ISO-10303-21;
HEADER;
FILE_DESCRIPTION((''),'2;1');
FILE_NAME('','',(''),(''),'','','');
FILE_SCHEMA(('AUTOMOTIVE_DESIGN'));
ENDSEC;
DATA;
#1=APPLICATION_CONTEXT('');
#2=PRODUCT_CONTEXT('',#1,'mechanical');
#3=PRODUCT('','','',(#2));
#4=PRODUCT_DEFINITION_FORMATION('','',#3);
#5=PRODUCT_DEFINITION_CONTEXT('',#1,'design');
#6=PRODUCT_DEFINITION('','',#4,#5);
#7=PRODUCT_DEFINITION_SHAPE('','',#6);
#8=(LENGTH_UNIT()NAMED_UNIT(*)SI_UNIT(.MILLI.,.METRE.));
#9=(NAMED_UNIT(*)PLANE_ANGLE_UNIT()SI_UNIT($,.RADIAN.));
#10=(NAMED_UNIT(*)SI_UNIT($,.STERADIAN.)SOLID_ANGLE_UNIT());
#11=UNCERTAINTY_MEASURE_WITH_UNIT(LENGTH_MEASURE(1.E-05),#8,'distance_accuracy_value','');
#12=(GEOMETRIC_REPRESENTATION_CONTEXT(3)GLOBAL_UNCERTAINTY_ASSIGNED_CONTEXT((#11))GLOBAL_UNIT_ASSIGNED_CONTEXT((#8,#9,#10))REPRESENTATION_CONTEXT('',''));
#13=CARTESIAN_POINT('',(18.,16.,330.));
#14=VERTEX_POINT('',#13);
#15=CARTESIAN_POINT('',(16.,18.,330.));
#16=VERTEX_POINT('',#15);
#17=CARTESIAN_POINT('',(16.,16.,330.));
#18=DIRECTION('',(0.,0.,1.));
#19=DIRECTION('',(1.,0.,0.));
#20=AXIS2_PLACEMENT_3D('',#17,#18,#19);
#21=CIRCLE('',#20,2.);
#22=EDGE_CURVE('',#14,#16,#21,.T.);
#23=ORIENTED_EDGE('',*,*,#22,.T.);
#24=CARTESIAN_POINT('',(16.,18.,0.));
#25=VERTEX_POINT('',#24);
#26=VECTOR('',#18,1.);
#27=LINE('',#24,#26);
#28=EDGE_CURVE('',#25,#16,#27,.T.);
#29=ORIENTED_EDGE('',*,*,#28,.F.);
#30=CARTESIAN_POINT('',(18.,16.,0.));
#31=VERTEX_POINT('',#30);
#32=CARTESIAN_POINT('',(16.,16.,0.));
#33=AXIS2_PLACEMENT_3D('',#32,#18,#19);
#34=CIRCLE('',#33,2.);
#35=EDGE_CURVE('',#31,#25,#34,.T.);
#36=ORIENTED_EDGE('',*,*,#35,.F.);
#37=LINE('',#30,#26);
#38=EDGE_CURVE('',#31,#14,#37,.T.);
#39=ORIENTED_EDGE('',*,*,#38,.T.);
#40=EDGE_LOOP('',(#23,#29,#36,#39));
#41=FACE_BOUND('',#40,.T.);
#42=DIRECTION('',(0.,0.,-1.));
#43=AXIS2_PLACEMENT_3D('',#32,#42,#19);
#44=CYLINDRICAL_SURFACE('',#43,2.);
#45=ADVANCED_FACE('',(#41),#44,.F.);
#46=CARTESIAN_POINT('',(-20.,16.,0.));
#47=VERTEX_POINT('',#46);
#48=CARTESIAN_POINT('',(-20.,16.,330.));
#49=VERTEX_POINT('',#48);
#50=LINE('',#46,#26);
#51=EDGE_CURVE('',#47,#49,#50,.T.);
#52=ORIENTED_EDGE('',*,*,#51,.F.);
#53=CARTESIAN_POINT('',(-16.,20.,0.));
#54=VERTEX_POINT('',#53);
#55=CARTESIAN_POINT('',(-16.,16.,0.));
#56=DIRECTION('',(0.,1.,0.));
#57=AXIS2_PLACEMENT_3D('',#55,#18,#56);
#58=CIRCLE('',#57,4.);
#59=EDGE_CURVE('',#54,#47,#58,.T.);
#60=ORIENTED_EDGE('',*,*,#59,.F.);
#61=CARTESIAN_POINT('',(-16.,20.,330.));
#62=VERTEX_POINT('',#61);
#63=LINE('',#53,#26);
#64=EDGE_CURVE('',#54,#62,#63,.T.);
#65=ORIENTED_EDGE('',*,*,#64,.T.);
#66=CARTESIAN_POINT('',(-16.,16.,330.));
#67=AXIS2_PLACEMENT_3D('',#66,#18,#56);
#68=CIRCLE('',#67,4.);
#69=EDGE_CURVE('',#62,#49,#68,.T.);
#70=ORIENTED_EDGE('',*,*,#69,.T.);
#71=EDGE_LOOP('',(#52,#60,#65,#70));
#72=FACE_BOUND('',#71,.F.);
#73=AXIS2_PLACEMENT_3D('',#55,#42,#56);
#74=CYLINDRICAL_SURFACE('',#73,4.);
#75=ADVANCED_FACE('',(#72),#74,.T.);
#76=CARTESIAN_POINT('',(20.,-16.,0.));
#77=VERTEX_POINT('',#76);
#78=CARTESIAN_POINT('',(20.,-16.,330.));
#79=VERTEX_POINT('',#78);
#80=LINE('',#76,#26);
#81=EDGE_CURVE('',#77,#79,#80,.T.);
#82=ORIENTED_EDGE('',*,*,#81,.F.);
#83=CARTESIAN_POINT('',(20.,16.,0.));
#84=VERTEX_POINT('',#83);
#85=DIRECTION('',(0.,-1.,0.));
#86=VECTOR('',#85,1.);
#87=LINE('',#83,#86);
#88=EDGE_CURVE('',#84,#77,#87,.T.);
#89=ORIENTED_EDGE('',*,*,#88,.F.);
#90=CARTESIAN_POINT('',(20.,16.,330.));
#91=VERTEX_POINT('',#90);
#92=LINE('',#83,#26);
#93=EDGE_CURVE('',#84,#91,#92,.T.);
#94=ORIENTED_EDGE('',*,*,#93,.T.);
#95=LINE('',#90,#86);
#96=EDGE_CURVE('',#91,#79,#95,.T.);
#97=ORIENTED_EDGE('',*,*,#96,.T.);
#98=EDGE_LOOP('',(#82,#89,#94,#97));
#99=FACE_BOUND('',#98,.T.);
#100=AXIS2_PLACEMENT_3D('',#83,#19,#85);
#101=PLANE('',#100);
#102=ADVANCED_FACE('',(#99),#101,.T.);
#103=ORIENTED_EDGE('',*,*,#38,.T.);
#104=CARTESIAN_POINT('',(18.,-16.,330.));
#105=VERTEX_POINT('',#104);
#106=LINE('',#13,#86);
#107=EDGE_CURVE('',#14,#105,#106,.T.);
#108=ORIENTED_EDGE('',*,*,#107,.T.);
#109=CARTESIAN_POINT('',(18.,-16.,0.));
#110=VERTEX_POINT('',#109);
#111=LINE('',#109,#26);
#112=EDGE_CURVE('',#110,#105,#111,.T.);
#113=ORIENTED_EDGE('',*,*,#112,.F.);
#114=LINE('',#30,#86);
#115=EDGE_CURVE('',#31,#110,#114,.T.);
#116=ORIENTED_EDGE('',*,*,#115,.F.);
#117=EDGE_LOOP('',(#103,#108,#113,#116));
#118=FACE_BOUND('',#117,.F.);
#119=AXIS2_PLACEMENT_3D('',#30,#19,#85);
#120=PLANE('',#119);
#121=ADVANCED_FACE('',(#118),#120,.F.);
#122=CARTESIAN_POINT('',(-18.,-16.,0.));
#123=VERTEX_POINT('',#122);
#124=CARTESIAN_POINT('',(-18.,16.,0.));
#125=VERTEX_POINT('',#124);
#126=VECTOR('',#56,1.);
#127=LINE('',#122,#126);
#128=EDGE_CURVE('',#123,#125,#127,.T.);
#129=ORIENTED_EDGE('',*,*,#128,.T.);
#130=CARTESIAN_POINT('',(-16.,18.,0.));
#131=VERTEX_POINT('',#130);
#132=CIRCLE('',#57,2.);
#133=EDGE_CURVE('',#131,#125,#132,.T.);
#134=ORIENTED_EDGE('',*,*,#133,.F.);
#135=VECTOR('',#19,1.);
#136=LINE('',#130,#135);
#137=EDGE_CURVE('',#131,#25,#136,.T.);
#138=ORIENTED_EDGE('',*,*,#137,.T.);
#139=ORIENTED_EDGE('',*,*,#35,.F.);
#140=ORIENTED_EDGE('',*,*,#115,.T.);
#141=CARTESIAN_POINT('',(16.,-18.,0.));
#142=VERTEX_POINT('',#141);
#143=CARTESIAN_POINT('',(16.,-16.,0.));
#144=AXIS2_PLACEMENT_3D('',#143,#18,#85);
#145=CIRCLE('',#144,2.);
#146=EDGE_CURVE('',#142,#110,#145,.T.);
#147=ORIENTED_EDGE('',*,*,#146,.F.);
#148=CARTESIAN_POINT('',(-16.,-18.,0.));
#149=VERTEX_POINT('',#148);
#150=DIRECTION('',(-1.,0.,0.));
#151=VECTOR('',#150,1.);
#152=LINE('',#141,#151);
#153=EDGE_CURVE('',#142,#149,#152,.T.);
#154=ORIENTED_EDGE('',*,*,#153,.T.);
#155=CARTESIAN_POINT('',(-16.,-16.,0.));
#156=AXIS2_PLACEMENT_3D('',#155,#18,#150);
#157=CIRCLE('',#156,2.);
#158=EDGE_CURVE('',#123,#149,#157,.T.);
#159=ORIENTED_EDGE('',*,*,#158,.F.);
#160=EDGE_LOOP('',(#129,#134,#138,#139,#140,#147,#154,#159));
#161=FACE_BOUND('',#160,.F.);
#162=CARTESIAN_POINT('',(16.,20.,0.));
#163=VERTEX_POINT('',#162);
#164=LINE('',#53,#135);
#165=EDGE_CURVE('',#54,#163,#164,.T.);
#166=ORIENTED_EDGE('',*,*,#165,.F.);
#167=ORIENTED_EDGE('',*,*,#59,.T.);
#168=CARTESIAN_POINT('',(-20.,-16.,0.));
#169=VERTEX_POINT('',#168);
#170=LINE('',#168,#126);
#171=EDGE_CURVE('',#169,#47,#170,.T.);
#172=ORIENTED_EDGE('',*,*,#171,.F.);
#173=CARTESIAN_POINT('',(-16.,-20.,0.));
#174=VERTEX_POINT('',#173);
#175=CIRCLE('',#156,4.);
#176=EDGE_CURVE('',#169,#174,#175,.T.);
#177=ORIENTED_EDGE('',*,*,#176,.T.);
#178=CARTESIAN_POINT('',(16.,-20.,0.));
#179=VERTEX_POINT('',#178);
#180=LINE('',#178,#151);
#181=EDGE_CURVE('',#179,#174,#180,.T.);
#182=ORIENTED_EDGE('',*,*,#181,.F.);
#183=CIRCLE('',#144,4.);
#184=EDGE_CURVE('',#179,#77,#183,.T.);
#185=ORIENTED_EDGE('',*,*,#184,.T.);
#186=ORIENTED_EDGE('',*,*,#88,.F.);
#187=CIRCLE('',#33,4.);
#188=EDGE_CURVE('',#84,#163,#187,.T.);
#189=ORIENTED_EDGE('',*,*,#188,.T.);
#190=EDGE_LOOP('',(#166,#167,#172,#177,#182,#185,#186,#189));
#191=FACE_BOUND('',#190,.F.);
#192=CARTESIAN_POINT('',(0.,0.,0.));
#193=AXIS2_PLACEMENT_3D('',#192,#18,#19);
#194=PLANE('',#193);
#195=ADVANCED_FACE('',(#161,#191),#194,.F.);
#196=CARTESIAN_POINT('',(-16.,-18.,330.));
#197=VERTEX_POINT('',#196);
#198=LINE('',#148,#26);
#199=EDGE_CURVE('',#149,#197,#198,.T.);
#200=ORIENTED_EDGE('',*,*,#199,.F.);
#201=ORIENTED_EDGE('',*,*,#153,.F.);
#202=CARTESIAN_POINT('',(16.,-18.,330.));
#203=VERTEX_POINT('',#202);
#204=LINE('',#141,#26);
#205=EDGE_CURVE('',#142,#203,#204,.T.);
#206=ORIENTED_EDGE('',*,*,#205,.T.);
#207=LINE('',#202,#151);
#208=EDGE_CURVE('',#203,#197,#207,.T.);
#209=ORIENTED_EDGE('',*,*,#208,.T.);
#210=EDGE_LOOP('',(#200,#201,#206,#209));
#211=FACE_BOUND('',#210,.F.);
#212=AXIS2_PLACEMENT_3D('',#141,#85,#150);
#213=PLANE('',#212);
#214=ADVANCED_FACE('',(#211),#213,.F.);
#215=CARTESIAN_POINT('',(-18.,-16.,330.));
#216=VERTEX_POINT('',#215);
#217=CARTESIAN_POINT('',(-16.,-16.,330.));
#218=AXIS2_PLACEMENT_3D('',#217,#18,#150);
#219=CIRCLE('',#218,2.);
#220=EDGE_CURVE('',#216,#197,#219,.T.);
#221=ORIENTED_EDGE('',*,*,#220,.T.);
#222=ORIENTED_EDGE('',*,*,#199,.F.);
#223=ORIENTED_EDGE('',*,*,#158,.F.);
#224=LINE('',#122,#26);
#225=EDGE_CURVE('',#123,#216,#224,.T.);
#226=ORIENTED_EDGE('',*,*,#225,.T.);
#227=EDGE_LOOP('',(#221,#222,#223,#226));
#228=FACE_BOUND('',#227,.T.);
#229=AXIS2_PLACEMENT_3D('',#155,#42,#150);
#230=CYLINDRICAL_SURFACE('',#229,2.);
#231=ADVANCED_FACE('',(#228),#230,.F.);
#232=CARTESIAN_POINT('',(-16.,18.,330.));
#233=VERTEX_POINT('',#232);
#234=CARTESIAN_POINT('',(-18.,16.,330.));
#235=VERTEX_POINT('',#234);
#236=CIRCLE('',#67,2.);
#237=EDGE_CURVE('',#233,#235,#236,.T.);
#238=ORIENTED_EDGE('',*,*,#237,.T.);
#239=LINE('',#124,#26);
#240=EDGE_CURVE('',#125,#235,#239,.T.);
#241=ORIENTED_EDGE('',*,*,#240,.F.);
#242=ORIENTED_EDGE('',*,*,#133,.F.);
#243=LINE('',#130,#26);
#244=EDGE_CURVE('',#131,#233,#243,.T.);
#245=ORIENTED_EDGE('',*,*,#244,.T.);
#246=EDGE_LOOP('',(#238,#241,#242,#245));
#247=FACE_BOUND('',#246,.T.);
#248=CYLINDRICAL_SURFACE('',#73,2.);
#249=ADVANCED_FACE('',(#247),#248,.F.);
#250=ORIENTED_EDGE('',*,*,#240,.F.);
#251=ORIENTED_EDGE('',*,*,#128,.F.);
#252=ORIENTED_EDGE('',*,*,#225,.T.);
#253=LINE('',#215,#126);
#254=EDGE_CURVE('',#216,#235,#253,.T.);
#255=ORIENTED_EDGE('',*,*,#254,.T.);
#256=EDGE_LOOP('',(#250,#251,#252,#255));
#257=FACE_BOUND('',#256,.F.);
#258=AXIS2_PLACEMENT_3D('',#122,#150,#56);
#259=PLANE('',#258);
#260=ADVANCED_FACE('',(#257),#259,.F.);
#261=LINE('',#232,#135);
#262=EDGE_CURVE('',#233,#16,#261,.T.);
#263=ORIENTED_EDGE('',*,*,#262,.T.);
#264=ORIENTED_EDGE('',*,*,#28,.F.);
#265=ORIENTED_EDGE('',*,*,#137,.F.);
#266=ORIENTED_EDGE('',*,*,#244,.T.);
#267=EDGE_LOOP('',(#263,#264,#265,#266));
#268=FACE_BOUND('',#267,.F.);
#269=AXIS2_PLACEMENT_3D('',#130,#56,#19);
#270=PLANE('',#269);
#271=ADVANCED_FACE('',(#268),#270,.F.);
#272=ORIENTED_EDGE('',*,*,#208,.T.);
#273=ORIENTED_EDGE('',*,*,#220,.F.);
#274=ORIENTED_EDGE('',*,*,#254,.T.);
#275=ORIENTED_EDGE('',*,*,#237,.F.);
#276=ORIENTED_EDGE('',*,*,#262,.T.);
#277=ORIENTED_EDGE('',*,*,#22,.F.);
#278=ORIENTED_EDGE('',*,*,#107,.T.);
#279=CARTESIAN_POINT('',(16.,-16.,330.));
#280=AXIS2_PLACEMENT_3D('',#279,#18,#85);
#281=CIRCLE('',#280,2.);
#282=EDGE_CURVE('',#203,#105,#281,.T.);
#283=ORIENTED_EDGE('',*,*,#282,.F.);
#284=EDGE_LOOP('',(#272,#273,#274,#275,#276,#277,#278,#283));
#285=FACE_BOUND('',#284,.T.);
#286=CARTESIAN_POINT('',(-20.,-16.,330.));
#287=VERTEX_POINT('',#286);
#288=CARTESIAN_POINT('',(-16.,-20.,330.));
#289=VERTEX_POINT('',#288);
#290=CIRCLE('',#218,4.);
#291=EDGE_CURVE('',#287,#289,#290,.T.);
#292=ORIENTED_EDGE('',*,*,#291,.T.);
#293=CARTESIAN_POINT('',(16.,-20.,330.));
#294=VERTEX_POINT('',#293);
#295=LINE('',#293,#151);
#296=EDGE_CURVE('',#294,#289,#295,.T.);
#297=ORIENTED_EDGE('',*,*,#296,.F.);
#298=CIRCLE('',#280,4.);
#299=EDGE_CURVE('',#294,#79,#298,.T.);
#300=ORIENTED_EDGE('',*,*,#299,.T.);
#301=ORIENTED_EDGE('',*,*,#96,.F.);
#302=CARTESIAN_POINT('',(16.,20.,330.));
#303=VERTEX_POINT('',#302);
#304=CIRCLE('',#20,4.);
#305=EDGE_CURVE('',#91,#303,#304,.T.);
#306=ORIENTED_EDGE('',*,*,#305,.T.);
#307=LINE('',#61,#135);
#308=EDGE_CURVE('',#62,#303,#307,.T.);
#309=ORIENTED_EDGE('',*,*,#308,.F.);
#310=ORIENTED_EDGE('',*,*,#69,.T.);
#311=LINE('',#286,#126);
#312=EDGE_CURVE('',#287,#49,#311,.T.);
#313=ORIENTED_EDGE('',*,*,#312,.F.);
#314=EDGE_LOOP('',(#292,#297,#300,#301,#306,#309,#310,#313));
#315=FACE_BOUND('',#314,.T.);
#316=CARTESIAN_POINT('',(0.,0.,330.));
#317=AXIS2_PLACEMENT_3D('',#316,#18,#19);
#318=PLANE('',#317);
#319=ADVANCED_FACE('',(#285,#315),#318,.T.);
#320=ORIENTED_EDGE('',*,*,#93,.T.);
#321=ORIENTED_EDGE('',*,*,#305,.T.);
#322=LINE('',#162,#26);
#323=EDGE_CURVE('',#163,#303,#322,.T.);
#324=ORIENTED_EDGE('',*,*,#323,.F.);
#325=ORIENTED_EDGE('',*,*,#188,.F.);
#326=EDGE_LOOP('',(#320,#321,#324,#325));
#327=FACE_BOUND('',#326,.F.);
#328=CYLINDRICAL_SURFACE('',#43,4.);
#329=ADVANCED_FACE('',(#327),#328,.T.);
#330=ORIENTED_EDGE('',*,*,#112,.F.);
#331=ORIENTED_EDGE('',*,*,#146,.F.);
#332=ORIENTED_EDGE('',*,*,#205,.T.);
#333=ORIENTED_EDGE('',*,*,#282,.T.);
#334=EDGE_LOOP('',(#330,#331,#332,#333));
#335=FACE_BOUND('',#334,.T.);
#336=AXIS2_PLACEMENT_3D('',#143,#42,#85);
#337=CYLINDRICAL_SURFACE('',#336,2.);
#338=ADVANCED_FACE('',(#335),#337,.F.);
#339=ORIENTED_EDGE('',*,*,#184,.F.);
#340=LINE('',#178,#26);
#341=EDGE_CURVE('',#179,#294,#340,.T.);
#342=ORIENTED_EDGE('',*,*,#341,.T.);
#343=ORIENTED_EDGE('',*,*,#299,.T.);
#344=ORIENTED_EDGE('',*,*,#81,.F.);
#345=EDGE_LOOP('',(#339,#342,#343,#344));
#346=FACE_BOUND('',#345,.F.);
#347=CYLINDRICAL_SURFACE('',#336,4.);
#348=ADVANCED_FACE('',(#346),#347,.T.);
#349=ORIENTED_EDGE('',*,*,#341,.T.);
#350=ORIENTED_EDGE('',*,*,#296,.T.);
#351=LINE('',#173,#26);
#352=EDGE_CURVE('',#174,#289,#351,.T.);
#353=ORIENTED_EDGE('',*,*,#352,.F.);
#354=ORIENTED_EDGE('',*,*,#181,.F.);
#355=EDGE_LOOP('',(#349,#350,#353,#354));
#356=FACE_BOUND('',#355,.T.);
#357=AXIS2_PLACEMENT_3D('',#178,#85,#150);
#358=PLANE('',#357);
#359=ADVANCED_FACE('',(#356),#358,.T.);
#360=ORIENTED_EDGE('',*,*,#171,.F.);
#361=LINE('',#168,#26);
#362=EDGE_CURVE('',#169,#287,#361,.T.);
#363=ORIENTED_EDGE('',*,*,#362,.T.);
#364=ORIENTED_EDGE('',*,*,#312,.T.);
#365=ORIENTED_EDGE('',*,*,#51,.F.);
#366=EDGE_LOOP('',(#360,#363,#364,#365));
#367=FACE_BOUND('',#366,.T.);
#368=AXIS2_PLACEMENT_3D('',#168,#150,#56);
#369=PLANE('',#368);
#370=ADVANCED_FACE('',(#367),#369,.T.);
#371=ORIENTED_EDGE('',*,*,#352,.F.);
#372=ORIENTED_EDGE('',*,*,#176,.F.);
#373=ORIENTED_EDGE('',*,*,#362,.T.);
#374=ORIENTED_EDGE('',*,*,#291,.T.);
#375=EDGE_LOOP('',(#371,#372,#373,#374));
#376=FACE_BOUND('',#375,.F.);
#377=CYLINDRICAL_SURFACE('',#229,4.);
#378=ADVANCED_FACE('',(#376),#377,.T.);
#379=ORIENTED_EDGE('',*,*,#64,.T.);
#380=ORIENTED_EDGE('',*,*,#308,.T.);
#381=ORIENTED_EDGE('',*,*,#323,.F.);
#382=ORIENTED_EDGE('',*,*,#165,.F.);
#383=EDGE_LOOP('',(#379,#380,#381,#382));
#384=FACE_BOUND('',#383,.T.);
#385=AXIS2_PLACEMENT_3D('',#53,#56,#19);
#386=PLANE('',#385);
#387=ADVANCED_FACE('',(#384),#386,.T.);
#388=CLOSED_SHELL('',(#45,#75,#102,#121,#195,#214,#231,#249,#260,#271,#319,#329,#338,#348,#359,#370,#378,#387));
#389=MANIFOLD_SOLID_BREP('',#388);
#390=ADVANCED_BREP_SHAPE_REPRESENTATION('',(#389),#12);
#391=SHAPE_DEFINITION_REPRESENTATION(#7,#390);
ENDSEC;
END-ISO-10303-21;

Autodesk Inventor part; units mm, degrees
ref_plane "YZ Plane" through (0, 0, 0) normal (1, 0, 0) x (0, 1, 0)
ref_plane "Start Plane" through (0, 0, 0) normal (0, 0, 1) x (1, 0, 0)
ref_plane "End Plane" through (0, 0, 330) normal (0, 0, 1) x (1, 0, 0)
sketch "Sketch" plane through (0, 0, 0) normal (0, 0, 1) x (1, 0, 0)
  line L0 (-20, -16) -> (-20, 16)
  line L1 (-16, 20) -> (16, 20)
  line L2 (20, 16) -> (20, -16)
  line L3 (16, -20) -> (-16, -20)
  arc A0 (-20, -16) -> (-16, -20) centre (-16, -16) ccw
  arc A1 (20, 16) -> (16, 20) centre (16, 16) ccw
  arc A2 (-16, 20) -> (-20, 16) centre (-16, 16) ccw
  arc A3 (16, -20) -> (20, -16) centre (16, -16) ccw
  arc A4 (-16, 18) -> (-18, 16) centre (-16, 16) ccw
  line L4 (-16, 18) -> (16, 18)
  arc A5 (18, 16) -> (16, 18) centre (16, 16) ccw
  line L5 (18, 16) -> (18, -16)
  arc A6 (16, -18) -> (18, -16) centre (16, -16) ccw
  line L6 (16, -18) -> (-16, -18)
  arc A7 (-18, -16) -> (-16, -18) centre (-16, -16) ccw
  line L7 (-18, -16) -> (-18, 16)
  line L8 (0, 29.1598) -> (0, -29.1598) construction
  line L9 (-29.1598, 0) -> (29.1598, 0) construction
  dimension "d7" = 4
  dimension "d9" = 40
  dimension "d11" = 40
  dimension "d12" = 2
  dimension "d15" = 20
  dimension "d16" = 20
extrude "Body" add sketch "Sketch" along normal up to surface (330 mm away) from surface at 0
sketch "Sketch3" plane through (0, 0, 0) normal (0, 0, 1) x (1, 0, 0)
  line L0 (0, 0) -> (10, 0)
ref_plane "Work Plane3" through (0, 0, 0) normal (0, -1, 0) x (1, 0, 0)
sketch "Sketch4" plane through (0, 0, 0) normal (0, -1, 0) x (1, 0, 0)
  line L0 (-2, 0) -> (12, 0) projected
  line L1 (-2, 330) -> (12, 330) projected
  dimension "d18" = 330
equation "\"d7\" = G_IR"
equation "\"d9\" = G_W"
equation "\"d11\" = G_H"
equation "\"d12\" = G_T"
equation "\"d15\" = 0.5 * d9"
equation "\"d16\" = 0.5 * d11"
equation "\"d3\" = G_L"
equation "\"G_W\" = 40"
equation "\"G_H\" = 40"
equation "\"G_T\" = 2"
equation "\"G_IR\" = 4"
equation "\"G_L\" = d18"
equation "\"G_OFFSET_START\" = 0"
properties part number "ISO 10799-2 - 40x40x2 - 330" material "Steel, Mild"
